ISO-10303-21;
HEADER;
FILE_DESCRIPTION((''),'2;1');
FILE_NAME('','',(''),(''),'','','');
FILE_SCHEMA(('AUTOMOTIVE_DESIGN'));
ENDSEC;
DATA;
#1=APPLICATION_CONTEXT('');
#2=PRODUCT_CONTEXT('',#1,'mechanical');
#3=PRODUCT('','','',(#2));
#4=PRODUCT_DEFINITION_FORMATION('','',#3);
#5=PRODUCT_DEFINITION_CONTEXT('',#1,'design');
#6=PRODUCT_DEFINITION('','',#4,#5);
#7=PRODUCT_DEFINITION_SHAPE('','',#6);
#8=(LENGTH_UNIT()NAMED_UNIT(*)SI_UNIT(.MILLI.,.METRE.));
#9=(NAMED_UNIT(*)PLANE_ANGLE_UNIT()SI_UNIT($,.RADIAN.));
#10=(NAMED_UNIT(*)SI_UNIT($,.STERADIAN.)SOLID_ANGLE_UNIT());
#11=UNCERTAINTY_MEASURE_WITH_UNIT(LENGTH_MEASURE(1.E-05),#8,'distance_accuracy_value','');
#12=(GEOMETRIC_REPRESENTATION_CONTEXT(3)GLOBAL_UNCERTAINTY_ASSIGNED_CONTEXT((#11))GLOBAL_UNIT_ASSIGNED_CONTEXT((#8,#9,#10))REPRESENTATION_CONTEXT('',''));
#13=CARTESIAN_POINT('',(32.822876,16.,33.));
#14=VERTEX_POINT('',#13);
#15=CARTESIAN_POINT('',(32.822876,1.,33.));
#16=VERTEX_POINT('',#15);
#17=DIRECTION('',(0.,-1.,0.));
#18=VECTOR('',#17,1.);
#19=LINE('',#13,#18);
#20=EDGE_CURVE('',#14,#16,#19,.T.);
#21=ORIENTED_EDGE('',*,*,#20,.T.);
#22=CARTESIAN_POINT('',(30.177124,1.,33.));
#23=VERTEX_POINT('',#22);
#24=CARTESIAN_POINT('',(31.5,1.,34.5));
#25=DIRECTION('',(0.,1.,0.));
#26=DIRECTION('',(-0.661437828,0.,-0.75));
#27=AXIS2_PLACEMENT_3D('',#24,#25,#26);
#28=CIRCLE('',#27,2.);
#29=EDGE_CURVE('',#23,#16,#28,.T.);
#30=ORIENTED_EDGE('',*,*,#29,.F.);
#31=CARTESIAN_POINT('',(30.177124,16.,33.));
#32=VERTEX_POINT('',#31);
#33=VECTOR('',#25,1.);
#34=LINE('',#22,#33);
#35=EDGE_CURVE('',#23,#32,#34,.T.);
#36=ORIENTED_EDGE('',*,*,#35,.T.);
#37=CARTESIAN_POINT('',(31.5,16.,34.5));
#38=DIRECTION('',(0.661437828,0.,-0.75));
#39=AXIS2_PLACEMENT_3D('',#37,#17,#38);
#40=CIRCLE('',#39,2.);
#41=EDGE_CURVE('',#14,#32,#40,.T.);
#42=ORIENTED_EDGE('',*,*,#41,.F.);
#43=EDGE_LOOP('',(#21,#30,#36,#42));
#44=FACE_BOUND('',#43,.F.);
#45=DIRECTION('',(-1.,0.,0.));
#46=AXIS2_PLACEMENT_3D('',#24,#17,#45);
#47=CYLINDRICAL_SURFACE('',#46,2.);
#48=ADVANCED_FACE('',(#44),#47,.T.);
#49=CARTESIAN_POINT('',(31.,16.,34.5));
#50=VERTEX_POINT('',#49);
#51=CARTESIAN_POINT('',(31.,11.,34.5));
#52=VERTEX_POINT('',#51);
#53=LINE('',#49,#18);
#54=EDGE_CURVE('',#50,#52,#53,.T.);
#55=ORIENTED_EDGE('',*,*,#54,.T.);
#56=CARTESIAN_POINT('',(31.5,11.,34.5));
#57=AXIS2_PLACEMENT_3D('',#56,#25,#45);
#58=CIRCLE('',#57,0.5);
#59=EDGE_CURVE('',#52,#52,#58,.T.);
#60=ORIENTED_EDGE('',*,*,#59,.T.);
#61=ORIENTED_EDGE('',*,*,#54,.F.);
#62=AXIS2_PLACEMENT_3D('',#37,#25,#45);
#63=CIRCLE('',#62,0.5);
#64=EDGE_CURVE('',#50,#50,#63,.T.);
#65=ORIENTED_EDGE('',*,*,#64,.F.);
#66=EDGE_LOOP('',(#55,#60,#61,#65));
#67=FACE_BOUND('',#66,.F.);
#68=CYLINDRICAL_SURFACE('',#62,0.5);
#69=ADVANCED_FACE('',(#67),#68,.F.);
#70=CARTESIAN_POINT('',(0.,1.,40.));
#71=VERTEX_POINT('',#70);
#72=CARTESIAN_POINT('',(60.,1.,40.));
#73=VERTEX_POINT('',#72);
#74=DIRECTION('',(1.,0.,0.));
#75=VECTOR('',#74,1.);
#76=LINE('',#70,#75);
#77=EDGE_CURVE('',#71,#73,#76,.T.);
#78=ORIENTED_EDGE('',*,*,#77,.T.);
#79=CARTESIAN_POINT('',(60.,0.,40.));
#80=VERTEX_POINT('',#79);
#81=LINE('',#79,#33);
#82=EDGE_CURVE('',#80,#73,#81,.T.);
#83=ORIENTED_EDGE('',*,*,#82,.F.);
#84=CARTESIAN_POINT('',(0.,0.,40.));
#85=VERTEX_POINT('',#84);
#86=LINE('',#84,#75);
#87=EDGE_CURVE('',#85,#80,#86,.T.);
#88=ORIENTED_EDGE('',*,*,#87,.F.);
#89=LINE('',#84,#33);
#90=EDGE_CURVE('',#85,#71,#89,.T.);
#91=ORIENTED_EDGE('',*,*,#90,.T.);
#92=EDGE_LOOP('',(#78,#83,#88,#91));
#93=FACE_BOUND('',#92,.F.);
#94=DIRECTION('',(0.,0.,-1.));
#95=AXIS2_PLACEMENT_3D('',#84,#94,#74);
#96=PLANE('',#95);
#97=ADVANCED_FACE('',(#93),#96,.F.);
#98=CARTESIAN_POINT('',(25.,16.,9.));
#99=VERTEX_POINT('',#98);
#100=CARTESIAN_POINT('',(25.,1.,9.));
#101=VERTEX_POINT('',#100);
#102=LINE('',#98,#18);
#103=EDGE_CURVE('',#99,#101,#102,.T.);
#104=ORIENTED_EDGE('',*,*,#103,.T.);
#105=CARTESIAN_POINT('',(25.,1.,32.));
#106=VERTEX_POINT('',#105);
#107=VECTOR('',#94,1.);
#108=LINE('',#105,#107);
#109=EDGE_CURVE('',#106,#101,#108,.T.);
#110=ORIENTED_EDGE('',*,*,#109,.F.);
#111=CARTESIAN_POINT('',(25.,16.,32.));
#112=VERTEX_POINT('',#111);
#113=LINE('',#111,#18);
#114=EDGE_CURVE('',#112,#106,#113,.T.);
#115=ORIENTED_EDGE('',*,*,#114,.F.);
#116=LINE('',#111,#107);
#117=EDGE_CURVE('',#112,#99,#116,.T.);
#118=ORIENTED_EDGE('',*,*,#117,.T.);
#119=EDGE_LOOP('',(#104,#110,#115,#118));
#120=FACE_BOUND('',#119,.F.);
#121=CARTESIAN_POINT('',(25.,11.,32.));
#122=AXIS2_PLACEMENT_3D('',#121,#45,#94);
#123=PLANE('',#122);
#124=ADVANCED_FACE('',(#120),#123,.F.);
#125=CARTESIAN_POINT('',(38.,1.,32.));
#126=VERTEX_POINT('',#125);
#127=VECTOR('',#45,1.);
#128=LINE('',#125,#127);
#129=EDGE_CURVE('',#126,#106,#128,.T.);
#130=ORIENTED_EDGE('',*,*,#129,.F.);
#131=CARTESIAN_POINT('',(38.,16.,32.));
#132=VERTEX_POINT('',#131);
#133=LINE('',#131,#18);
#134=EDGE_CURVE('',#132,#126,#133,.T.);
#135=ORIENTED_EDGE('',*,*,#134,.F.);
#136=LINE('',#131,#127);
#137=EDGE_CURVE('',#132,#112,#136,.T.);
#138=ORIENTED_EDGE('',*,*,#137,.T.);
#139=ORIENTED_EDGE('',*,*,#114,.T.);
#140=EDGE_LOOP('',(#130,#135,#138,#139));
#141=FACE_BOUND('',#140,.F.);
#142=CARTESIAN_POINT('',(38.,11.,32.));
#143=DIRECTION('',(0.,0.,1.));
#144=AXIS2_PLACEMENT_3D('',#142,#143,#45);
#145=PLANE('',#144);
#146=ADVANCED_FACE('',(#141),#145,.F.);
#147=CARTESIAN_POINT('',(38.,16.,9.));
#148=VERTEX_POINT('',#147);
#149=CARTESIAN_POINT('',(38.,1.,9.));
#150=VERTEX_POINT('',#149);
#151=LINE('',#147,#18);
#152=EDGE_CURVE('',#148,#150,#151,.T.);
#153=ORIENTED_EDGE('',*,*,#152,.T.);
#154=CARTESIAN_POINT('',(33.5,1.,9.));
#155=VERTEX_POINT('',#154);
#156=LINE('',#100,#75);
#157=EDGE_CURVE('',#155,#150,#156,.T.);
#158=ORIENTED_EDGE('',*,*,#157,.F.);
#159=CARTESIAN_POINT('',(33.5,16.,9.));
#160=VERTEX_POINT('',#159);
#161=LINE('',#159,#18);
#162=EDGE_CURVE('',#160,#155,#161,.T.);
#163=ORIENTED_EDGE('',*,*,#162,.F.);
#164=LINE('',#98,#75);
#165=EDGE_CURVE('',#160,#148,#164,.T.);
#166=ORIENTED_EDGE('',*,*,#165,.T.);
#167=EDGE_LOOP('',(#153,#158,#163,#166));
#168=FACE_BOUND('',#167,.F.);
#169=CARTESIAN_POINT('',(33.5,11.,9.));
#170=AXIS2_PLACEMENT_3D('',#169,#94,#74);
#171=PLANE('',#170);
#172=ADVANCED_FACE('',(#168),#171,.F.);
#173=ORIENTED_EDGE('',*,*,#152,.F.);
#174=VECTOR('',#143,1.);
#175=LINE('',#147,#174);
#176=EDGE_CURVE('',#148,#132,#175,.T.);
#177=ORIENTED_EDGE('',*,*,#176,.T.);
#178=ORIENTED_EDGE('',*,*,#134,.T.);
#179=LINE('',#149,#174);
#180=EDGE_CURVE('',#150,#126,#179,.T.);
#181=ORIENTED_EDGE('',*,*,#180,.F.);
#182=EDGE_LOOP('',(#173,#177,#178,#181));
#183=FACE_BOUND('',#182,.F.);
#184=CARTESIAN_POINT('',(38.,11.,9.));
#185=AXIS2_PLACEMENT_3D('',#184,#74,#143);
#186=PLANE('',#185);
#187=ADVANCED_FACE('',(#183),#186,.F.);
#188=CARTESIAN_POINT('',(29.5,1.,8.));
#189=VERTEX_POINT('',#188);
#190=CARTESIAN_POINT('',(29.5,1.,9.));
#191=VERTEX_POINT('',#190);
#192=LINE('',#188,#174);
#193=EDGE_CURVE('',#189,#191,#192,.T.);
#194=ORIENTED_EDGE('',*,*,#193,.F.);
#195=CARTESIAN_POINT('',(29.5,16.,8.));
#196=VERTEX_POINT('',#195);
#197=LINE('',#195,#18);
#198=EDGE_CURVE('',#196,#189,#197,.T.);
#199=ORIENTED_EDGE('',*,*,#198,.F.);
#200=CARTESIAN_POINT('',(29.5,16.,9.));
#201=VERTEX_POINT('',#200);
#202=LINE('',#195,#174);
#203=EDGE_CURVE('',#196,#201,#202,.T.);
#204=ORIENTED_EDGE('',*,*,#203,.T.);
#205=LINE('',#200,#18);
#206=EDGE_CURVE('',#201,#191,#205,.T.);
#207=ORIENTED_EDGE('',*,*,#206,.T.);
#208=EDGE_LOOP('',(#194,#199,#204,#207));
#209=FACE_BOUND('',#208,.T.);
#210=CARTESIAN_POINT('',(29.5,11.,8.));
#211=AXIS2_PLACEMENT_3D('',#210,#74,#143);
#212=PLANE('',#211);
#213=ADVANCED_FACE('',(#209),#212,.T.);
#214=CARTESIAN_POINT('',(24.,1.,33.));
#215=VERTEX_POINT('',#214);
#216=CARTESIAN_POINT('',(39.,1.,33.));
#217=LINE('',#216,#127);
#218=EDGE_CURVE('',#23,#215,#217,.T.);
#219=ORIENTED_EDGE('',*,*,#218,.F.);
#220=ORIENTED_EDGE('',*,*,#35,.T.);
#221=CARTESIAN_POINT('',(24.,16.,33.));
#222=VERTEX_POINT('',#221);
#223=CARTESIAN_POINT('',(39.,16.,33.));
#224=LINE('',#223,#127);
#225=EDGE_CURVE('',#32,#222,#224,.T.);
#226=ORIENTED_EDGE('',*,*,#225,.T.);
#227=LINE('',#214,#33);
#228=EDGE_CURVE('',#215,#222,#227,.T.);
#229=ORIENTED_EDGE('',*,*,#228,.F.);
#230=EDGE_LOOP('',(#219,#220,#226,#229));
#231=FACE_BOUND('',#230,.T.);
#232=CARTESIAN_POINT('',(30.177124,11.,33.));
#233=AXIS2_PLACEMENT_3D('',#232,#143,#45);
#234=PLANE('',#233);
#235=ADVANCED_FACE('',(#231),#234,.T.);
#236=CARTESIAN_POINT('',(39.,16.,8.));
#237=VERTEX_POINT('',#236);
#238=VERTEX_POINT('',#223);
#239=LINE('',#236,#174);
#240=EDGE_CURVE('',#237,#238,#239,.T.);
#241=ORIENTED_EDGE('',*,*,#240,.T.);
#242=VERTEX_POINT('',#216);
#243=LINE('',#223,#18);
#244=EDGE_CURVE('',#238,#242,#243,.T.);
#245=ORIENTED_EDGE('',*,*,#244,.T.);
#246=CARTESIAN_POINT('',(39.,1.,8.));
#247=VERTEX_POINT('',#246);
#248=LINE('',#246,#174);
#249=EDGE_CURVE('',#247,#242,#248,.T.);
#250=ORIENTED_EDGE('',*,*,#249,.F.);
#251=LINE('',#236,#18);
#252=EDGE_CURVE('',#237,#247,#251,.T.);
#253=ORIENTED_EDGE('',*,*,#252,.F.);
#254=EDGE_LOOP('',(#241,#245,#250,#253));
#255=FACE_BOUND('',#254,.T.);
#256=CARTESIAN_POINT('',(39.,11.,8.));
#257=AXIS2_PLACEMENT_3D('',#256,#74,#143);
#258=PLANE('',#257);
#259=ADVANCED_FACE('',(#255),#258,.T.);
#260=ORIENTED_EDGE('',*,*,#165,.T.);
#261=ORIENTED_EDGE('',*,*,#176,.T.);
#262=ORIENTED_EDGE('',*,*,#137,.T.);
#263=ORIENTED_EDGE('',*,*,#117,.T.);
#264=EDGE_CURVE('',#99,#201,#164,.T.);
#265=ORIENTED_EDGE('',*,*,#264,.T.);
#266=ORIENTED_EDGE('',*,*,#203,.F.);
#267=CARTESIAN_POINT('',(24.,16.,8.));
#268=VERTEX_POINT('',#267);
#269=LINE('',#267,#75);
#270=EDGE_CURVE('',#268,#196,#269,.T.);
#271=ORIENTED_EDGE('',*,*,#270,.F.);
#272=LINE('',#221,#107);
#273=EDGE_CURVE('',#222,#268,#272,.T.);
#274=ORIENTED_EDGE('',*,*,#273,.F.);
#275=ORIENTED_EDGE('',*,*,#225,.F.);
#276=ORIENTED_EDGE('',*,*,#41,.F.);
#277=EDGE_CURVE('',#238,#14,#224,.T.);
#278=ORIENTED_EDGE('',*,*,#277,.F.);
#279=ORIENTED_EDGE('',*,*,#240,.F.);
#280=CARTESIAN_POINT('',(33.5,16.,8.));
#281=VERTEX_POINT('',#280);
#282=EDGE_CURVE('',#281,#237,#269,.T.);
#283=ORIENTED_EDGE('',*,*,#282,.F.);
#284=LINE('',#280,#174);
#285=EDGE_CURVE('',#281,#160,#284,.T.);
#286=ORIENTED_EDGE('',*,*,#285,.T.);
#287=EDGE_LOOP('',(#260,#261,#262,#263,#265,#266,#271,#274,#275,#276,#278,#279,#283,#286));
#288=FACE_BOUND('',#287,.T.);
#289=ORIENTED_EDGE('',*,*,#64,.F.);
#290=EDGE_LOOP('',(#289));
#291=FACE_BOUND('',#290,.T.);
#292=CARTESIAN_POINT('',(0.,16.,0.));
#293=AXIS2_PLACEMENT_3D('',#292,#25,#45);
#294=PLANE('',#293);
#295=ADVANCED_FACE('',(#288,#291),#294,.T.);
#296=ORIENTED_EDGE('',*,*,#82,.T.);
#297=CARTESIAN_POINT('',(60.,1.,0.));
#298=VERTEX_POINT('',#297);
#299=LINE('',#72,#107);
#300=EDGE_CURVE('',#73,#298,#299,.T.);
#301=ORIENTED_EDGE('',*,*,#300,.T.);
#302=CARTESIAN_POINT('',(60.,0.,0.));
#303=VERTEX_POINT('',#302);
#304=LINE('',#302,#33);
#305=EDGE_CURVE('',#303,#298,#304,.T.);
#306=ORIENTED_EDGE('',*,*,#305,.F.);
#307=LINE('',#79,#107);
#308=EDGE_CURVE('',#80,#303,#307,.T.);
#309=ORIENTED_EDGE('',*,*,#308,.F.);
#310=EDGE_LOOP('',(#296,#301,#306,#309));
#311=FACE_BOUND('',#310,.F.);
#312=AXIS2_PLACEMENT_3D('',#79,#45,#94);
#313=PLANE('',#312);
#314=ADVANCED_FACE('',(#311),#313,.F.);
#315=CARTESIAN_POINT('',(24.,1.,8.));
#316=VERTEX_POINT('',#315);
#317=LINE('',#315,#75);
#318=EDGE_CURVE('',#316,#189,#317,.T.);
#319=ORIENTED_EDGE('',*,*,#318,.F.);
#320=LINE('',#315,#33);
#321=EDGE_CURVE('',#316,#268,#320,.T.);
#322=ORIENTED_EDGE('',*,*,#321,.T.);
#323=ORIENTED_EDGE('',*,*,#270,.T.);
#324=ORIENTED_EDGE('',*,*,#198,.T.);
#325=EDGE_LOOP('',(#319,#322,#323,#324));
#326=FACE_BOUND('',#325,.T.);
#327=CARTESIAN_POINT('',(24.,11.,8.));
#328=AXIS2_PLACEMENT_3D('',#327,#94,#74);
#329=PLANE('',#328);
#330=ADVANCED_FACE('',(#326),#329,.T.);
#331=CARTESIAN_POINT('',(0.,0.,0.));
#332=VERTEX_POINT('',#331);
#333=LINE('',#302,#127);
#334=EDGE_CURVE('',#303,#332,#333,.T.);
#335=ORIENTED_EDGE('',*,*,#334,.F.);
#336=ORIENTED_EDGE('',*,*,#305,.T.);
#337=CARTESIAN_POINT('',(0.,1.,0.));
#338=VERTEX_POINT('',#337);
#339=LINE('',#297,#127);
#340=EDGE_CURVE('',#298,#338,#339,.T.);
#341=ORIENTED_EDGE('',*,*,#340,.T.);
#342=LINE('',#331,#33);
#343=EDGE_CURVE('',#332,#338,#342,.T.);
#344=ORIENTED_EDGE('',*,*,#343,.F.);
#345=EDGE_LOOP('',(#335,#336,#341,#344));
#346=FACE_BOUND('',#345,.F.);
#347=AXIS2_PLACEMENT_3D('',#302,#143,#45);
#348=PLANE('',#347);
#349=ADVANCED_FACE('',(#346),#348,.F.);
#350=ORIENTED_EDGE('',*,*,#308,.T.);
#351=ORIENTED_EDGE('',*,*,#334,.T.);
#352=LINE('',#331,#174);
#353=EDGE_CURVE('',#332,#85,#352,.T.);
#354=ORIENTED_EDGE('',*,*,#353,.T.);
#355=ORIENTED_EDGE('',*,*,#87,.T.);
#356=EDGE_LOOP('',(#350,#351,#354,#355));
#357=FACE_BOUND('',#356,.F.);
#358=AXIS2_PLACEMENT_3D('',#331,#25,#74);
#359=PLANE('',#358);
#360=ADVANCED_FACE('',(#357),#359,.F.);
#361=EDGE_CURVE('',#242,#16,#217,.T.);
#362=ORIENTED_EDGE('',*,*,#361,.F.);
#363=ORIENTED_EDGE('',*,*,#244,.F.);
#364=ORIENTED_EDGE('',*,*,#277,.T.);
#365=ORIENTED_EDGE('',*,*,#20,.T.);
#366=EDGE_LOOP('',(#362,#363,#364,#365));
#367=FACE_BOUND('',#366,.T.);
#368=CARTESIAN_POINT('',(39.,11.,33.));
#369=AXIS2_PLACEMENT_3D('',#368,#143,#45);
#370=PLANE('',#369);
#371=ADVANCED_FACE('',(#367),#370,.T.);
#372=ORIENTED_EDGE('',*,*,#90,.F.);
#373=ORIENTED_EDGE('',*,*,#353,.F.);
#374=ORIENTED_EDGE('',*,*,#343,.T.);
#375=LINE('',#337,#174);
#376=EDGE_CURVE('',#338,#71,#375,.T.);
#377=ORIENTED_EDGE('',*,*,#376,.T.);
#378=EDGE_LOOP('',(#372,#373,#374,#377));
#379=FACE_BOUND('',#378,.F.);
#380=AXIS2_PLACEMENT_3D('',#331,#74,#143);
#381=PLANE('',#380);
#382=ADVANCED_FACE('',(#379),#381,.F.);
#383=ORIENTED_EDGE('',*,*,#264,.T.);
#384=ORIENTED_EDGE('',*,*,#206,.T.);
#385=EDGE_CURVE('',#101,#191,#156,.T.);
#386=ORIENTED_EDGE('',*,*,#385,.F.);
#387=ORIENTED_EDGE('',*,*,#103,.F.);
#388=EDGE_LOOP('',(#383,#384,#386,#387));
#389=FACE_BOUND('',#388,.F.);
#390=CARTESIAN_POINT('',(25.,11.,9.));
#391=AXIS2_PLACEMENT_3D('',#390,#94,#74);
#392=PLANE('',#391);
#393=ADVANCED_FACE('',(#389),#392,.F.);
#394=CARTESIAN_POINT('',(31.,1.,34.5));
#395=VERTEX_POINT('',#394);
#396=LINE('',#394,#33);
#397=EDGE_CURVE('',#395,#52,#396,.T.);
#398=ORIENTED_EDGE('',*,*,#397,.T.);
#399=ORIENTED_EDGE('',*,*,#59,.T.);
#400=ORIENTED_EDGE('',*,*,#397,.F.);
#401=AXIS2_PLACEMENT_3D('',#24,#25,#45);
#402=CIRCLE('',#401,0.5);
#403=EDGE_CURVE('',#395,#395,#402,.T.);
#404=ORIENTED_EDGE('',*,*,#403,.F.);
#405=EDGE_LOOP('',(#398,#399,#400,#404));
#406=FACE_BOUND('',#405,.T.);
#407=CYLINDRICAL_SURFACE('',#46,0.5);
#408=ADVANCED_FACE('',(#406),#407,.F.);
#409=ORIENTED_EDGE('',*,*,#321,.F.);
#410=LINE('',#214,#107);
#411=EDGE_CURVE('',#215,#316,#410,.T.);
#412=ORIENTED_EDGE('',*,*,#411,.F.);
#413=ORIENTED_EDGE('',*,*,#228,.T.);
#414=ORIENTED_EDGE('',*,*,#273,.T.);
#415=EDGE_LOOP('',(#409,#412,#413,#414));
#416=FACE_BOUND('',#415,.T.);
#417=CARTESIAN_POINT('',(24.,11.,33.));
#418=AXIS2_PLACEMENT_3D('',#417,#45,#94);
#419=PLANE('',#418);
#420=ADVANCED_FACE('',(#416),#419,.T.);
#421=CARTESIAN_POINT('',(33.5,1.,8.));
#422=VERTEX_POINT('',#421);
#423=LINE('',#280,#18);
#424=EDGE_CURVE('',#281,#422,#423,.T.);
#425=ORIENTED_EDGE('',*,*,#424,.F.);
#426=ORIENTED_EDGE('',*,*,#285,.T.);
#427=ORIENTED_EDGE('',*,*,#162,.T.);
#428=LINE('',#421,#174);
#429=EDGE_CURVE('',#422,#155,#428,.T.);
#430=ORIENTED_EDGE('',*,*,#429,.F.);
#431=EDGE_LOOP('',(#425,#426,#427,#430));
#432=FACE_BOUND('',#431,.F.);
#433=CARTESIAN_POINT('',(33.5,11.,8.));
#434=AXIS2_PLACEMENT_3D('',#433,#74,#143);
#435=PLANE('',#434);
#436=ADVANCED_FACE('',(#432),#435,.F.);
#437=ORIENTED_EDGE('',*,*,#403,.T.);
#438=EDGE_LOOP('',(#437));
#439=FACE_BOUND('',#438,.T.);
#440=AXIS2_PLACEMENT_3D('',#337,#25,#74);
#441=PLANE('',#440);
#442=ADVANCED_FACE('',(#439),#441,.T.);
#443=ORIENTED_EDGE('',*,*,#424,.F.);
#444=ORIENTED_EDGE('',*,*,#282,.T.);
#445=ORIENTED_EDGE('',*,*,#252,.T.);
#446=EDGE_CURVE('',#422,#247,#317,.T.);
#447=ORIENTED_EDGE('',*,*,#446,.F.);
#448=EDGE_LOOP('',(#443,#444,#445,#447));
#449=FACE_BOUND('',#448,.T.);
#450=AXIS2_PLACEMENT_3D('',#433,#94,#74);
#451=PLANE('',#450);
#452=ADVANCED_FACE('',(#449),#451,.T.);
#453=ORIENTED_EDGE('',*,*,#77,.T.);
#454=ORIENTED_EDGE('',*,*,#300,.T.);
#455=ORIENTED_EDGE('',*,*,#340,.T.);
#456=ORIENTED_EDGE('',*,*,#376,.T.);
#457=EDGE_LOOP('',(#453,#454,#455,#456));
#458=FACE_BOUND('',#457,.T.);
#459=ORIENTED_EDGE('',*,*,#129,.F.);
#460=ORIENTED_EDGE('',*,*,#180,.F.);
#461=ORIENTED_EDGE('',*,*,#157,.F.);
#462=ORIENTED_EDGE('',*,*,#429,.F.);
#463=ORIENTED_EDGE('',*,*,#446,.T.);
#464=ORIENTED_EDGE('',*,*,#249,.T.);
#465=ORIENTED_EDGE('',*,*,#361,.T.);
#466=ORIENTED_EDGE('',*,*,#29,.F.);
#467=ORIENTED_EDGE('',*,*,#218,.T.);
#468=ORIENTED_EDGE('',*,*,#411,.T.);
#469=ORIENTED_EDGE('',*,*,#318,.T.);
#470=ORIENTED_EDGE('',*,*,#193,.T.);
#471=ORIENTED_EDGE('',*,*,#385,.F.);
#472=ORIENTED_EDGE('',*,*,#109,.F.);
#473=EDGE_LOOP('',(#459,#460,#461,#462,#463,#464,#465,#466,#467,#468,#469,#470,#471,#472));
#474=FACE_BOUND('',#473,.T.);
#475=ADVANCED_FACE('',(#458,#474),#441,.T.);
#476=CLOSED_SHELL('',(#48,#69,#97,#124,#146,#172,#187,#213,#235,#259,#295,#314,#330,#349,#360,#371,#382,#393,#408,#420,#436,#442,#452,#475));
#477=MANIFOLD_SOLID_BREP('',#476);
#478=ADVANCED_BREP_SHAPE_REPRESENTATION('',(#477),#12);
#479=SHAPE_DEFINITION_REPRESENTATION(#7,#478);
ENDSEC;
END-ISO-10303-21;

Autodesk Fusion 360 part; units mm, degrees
sketch "Sketch1" plane through (0, 0, 0) normal (0, 1, 0) x (1, 0, 0)
  line L0 (0, 0) -> (0, -40)
  line L1 (0, -40) -> (60, -40)
  line L2 (60, -40) -> (60, 0)
  line L3 (60, 0) -> (0, 0)
  dimension "d1" = 60
  dimension "d2" = 40
  dimension "d3" = 90
  dimension "d4" = 90
extrude "Extrude1" add sketch "Sketch1" along normal blind 1
sketch "Sketch2" plane through (0, 1, 0) normal (0, 1, 0) x (-1, 0, 0)
  line L0 (-60, 0) -> (0, 0)
  line L1 (0, 0) -> (0, 40)
  line L2 (0, 40) -> (-60, 40)
  line L3 (-60, 40) -> (-60, 0)
  line L4 (-24, 8) -> (-39, 8)
  line L5 (-39, 8) -> (-39, 33)
  line L6 (-39, 33) -> (-24, 33)
  line L7 (-24, 33) -> (-24, 8)
  dimension "d18" = 15
  dimension "d19" = 25
  dimension "d20" = 24
  dimension "d21" = 8
extrude "Extrude2" add sketch "Sketch2" along normal blind 10 contours L4 L5 L6 L7
sketch "Sketch3" plane through (0, 11, 0) normal (0, 1, 0) x (-1, 0, 0)
  line L0 (-24, 33) -> (-39, 33)
  line L1 (-39, 33) -> (-39, 8)
  line L2 (-39, 8) -> (-24, 8)
  line L3 (-24, 8) -> (-24, 33)
  line L4 (-25, 9) -> (-38, 9)
  line L5 (-38, 9) -> (-38, 32)
  line L6 (-38, 32) -> (-25, 32)
  line L7 (-25, 32) -> (-25, 9)
  line L8 (-29.5, 8) -> (-29.5, 9)
  line L9 (-33.5, 8) -> (-33.5, 9)
  dimension "d24" = 1
  dimension "d25" = 1
  dimension "d26" = 1
  dimension "d27" = 1
  dimension "d28" = 4
  dimension "d29" = 5.5
extrude "Extrude3" cut sketch "Sketch3" against normal blind 10 contours L2 L4 L8 L9 | L4 L5 L6 L7
sketch "Sketch4" plane through (0, 1, 0) normal (0, 1, 0) x (-1, 0, 0)
  line L0 (-24, 33) -> (-24, 8)
  line L1 (-24, 8) -> (-29.5, 8)
  line L2 (-29.5, 8) -> (-29.5, 9)
  line L3 (-29.5, 9) -> (-25, 9)
  line L4 (-25, 9) -> (-25, 32)
  line L5 (-25, 32) -> (-38, 32)
  line L6 (-38, 32) -> (-38, 9)
  line L7 (-38, 9) -> (-33.5, 9)
  line L8 (-33.5, 9) -> (-33.5, 8)
  line L9 (-33.5, 8) -> (-39, 8)
  line L10 (-39, 8) -> (-39, 33)
  line L11 (-39, 33) -> (-24, 33)
  line L12 (-60, 0) -> (0, 0)
  line L13 (0, 0) -> (0, 40)
  line L14 (0, 40) -> (-60, 40)
  line L15 (-60, 40) -> (-60, 0)
  circle A0 centre (-31.5, 34.5) radius 2
  circle A1 centre (-31.5, 34.5) radius 0.5
  dimension "d32" = 1
  dimension "d33" = 4
  dimension "d35" = 2.5
  dimension "d36" = 6.5
extrude "Extrude4" add sketch "Sketch4" along normal blind 15 contours L11 A0 picked at (-31.4875, 33.3338)
sketch "Sketch5" plane through (0, 0, 0) normal (0, 0, 1) x (1, 0, 0)
extrude "Extrude5" add 1 faces at (31.4875, 16, 33.3338) along direction (0, -1, 0) blind 5
extrude "Extrude6" add 1 faces at (31.059, 11, 32.3333) along direction (0, 1, 0) blind 5
